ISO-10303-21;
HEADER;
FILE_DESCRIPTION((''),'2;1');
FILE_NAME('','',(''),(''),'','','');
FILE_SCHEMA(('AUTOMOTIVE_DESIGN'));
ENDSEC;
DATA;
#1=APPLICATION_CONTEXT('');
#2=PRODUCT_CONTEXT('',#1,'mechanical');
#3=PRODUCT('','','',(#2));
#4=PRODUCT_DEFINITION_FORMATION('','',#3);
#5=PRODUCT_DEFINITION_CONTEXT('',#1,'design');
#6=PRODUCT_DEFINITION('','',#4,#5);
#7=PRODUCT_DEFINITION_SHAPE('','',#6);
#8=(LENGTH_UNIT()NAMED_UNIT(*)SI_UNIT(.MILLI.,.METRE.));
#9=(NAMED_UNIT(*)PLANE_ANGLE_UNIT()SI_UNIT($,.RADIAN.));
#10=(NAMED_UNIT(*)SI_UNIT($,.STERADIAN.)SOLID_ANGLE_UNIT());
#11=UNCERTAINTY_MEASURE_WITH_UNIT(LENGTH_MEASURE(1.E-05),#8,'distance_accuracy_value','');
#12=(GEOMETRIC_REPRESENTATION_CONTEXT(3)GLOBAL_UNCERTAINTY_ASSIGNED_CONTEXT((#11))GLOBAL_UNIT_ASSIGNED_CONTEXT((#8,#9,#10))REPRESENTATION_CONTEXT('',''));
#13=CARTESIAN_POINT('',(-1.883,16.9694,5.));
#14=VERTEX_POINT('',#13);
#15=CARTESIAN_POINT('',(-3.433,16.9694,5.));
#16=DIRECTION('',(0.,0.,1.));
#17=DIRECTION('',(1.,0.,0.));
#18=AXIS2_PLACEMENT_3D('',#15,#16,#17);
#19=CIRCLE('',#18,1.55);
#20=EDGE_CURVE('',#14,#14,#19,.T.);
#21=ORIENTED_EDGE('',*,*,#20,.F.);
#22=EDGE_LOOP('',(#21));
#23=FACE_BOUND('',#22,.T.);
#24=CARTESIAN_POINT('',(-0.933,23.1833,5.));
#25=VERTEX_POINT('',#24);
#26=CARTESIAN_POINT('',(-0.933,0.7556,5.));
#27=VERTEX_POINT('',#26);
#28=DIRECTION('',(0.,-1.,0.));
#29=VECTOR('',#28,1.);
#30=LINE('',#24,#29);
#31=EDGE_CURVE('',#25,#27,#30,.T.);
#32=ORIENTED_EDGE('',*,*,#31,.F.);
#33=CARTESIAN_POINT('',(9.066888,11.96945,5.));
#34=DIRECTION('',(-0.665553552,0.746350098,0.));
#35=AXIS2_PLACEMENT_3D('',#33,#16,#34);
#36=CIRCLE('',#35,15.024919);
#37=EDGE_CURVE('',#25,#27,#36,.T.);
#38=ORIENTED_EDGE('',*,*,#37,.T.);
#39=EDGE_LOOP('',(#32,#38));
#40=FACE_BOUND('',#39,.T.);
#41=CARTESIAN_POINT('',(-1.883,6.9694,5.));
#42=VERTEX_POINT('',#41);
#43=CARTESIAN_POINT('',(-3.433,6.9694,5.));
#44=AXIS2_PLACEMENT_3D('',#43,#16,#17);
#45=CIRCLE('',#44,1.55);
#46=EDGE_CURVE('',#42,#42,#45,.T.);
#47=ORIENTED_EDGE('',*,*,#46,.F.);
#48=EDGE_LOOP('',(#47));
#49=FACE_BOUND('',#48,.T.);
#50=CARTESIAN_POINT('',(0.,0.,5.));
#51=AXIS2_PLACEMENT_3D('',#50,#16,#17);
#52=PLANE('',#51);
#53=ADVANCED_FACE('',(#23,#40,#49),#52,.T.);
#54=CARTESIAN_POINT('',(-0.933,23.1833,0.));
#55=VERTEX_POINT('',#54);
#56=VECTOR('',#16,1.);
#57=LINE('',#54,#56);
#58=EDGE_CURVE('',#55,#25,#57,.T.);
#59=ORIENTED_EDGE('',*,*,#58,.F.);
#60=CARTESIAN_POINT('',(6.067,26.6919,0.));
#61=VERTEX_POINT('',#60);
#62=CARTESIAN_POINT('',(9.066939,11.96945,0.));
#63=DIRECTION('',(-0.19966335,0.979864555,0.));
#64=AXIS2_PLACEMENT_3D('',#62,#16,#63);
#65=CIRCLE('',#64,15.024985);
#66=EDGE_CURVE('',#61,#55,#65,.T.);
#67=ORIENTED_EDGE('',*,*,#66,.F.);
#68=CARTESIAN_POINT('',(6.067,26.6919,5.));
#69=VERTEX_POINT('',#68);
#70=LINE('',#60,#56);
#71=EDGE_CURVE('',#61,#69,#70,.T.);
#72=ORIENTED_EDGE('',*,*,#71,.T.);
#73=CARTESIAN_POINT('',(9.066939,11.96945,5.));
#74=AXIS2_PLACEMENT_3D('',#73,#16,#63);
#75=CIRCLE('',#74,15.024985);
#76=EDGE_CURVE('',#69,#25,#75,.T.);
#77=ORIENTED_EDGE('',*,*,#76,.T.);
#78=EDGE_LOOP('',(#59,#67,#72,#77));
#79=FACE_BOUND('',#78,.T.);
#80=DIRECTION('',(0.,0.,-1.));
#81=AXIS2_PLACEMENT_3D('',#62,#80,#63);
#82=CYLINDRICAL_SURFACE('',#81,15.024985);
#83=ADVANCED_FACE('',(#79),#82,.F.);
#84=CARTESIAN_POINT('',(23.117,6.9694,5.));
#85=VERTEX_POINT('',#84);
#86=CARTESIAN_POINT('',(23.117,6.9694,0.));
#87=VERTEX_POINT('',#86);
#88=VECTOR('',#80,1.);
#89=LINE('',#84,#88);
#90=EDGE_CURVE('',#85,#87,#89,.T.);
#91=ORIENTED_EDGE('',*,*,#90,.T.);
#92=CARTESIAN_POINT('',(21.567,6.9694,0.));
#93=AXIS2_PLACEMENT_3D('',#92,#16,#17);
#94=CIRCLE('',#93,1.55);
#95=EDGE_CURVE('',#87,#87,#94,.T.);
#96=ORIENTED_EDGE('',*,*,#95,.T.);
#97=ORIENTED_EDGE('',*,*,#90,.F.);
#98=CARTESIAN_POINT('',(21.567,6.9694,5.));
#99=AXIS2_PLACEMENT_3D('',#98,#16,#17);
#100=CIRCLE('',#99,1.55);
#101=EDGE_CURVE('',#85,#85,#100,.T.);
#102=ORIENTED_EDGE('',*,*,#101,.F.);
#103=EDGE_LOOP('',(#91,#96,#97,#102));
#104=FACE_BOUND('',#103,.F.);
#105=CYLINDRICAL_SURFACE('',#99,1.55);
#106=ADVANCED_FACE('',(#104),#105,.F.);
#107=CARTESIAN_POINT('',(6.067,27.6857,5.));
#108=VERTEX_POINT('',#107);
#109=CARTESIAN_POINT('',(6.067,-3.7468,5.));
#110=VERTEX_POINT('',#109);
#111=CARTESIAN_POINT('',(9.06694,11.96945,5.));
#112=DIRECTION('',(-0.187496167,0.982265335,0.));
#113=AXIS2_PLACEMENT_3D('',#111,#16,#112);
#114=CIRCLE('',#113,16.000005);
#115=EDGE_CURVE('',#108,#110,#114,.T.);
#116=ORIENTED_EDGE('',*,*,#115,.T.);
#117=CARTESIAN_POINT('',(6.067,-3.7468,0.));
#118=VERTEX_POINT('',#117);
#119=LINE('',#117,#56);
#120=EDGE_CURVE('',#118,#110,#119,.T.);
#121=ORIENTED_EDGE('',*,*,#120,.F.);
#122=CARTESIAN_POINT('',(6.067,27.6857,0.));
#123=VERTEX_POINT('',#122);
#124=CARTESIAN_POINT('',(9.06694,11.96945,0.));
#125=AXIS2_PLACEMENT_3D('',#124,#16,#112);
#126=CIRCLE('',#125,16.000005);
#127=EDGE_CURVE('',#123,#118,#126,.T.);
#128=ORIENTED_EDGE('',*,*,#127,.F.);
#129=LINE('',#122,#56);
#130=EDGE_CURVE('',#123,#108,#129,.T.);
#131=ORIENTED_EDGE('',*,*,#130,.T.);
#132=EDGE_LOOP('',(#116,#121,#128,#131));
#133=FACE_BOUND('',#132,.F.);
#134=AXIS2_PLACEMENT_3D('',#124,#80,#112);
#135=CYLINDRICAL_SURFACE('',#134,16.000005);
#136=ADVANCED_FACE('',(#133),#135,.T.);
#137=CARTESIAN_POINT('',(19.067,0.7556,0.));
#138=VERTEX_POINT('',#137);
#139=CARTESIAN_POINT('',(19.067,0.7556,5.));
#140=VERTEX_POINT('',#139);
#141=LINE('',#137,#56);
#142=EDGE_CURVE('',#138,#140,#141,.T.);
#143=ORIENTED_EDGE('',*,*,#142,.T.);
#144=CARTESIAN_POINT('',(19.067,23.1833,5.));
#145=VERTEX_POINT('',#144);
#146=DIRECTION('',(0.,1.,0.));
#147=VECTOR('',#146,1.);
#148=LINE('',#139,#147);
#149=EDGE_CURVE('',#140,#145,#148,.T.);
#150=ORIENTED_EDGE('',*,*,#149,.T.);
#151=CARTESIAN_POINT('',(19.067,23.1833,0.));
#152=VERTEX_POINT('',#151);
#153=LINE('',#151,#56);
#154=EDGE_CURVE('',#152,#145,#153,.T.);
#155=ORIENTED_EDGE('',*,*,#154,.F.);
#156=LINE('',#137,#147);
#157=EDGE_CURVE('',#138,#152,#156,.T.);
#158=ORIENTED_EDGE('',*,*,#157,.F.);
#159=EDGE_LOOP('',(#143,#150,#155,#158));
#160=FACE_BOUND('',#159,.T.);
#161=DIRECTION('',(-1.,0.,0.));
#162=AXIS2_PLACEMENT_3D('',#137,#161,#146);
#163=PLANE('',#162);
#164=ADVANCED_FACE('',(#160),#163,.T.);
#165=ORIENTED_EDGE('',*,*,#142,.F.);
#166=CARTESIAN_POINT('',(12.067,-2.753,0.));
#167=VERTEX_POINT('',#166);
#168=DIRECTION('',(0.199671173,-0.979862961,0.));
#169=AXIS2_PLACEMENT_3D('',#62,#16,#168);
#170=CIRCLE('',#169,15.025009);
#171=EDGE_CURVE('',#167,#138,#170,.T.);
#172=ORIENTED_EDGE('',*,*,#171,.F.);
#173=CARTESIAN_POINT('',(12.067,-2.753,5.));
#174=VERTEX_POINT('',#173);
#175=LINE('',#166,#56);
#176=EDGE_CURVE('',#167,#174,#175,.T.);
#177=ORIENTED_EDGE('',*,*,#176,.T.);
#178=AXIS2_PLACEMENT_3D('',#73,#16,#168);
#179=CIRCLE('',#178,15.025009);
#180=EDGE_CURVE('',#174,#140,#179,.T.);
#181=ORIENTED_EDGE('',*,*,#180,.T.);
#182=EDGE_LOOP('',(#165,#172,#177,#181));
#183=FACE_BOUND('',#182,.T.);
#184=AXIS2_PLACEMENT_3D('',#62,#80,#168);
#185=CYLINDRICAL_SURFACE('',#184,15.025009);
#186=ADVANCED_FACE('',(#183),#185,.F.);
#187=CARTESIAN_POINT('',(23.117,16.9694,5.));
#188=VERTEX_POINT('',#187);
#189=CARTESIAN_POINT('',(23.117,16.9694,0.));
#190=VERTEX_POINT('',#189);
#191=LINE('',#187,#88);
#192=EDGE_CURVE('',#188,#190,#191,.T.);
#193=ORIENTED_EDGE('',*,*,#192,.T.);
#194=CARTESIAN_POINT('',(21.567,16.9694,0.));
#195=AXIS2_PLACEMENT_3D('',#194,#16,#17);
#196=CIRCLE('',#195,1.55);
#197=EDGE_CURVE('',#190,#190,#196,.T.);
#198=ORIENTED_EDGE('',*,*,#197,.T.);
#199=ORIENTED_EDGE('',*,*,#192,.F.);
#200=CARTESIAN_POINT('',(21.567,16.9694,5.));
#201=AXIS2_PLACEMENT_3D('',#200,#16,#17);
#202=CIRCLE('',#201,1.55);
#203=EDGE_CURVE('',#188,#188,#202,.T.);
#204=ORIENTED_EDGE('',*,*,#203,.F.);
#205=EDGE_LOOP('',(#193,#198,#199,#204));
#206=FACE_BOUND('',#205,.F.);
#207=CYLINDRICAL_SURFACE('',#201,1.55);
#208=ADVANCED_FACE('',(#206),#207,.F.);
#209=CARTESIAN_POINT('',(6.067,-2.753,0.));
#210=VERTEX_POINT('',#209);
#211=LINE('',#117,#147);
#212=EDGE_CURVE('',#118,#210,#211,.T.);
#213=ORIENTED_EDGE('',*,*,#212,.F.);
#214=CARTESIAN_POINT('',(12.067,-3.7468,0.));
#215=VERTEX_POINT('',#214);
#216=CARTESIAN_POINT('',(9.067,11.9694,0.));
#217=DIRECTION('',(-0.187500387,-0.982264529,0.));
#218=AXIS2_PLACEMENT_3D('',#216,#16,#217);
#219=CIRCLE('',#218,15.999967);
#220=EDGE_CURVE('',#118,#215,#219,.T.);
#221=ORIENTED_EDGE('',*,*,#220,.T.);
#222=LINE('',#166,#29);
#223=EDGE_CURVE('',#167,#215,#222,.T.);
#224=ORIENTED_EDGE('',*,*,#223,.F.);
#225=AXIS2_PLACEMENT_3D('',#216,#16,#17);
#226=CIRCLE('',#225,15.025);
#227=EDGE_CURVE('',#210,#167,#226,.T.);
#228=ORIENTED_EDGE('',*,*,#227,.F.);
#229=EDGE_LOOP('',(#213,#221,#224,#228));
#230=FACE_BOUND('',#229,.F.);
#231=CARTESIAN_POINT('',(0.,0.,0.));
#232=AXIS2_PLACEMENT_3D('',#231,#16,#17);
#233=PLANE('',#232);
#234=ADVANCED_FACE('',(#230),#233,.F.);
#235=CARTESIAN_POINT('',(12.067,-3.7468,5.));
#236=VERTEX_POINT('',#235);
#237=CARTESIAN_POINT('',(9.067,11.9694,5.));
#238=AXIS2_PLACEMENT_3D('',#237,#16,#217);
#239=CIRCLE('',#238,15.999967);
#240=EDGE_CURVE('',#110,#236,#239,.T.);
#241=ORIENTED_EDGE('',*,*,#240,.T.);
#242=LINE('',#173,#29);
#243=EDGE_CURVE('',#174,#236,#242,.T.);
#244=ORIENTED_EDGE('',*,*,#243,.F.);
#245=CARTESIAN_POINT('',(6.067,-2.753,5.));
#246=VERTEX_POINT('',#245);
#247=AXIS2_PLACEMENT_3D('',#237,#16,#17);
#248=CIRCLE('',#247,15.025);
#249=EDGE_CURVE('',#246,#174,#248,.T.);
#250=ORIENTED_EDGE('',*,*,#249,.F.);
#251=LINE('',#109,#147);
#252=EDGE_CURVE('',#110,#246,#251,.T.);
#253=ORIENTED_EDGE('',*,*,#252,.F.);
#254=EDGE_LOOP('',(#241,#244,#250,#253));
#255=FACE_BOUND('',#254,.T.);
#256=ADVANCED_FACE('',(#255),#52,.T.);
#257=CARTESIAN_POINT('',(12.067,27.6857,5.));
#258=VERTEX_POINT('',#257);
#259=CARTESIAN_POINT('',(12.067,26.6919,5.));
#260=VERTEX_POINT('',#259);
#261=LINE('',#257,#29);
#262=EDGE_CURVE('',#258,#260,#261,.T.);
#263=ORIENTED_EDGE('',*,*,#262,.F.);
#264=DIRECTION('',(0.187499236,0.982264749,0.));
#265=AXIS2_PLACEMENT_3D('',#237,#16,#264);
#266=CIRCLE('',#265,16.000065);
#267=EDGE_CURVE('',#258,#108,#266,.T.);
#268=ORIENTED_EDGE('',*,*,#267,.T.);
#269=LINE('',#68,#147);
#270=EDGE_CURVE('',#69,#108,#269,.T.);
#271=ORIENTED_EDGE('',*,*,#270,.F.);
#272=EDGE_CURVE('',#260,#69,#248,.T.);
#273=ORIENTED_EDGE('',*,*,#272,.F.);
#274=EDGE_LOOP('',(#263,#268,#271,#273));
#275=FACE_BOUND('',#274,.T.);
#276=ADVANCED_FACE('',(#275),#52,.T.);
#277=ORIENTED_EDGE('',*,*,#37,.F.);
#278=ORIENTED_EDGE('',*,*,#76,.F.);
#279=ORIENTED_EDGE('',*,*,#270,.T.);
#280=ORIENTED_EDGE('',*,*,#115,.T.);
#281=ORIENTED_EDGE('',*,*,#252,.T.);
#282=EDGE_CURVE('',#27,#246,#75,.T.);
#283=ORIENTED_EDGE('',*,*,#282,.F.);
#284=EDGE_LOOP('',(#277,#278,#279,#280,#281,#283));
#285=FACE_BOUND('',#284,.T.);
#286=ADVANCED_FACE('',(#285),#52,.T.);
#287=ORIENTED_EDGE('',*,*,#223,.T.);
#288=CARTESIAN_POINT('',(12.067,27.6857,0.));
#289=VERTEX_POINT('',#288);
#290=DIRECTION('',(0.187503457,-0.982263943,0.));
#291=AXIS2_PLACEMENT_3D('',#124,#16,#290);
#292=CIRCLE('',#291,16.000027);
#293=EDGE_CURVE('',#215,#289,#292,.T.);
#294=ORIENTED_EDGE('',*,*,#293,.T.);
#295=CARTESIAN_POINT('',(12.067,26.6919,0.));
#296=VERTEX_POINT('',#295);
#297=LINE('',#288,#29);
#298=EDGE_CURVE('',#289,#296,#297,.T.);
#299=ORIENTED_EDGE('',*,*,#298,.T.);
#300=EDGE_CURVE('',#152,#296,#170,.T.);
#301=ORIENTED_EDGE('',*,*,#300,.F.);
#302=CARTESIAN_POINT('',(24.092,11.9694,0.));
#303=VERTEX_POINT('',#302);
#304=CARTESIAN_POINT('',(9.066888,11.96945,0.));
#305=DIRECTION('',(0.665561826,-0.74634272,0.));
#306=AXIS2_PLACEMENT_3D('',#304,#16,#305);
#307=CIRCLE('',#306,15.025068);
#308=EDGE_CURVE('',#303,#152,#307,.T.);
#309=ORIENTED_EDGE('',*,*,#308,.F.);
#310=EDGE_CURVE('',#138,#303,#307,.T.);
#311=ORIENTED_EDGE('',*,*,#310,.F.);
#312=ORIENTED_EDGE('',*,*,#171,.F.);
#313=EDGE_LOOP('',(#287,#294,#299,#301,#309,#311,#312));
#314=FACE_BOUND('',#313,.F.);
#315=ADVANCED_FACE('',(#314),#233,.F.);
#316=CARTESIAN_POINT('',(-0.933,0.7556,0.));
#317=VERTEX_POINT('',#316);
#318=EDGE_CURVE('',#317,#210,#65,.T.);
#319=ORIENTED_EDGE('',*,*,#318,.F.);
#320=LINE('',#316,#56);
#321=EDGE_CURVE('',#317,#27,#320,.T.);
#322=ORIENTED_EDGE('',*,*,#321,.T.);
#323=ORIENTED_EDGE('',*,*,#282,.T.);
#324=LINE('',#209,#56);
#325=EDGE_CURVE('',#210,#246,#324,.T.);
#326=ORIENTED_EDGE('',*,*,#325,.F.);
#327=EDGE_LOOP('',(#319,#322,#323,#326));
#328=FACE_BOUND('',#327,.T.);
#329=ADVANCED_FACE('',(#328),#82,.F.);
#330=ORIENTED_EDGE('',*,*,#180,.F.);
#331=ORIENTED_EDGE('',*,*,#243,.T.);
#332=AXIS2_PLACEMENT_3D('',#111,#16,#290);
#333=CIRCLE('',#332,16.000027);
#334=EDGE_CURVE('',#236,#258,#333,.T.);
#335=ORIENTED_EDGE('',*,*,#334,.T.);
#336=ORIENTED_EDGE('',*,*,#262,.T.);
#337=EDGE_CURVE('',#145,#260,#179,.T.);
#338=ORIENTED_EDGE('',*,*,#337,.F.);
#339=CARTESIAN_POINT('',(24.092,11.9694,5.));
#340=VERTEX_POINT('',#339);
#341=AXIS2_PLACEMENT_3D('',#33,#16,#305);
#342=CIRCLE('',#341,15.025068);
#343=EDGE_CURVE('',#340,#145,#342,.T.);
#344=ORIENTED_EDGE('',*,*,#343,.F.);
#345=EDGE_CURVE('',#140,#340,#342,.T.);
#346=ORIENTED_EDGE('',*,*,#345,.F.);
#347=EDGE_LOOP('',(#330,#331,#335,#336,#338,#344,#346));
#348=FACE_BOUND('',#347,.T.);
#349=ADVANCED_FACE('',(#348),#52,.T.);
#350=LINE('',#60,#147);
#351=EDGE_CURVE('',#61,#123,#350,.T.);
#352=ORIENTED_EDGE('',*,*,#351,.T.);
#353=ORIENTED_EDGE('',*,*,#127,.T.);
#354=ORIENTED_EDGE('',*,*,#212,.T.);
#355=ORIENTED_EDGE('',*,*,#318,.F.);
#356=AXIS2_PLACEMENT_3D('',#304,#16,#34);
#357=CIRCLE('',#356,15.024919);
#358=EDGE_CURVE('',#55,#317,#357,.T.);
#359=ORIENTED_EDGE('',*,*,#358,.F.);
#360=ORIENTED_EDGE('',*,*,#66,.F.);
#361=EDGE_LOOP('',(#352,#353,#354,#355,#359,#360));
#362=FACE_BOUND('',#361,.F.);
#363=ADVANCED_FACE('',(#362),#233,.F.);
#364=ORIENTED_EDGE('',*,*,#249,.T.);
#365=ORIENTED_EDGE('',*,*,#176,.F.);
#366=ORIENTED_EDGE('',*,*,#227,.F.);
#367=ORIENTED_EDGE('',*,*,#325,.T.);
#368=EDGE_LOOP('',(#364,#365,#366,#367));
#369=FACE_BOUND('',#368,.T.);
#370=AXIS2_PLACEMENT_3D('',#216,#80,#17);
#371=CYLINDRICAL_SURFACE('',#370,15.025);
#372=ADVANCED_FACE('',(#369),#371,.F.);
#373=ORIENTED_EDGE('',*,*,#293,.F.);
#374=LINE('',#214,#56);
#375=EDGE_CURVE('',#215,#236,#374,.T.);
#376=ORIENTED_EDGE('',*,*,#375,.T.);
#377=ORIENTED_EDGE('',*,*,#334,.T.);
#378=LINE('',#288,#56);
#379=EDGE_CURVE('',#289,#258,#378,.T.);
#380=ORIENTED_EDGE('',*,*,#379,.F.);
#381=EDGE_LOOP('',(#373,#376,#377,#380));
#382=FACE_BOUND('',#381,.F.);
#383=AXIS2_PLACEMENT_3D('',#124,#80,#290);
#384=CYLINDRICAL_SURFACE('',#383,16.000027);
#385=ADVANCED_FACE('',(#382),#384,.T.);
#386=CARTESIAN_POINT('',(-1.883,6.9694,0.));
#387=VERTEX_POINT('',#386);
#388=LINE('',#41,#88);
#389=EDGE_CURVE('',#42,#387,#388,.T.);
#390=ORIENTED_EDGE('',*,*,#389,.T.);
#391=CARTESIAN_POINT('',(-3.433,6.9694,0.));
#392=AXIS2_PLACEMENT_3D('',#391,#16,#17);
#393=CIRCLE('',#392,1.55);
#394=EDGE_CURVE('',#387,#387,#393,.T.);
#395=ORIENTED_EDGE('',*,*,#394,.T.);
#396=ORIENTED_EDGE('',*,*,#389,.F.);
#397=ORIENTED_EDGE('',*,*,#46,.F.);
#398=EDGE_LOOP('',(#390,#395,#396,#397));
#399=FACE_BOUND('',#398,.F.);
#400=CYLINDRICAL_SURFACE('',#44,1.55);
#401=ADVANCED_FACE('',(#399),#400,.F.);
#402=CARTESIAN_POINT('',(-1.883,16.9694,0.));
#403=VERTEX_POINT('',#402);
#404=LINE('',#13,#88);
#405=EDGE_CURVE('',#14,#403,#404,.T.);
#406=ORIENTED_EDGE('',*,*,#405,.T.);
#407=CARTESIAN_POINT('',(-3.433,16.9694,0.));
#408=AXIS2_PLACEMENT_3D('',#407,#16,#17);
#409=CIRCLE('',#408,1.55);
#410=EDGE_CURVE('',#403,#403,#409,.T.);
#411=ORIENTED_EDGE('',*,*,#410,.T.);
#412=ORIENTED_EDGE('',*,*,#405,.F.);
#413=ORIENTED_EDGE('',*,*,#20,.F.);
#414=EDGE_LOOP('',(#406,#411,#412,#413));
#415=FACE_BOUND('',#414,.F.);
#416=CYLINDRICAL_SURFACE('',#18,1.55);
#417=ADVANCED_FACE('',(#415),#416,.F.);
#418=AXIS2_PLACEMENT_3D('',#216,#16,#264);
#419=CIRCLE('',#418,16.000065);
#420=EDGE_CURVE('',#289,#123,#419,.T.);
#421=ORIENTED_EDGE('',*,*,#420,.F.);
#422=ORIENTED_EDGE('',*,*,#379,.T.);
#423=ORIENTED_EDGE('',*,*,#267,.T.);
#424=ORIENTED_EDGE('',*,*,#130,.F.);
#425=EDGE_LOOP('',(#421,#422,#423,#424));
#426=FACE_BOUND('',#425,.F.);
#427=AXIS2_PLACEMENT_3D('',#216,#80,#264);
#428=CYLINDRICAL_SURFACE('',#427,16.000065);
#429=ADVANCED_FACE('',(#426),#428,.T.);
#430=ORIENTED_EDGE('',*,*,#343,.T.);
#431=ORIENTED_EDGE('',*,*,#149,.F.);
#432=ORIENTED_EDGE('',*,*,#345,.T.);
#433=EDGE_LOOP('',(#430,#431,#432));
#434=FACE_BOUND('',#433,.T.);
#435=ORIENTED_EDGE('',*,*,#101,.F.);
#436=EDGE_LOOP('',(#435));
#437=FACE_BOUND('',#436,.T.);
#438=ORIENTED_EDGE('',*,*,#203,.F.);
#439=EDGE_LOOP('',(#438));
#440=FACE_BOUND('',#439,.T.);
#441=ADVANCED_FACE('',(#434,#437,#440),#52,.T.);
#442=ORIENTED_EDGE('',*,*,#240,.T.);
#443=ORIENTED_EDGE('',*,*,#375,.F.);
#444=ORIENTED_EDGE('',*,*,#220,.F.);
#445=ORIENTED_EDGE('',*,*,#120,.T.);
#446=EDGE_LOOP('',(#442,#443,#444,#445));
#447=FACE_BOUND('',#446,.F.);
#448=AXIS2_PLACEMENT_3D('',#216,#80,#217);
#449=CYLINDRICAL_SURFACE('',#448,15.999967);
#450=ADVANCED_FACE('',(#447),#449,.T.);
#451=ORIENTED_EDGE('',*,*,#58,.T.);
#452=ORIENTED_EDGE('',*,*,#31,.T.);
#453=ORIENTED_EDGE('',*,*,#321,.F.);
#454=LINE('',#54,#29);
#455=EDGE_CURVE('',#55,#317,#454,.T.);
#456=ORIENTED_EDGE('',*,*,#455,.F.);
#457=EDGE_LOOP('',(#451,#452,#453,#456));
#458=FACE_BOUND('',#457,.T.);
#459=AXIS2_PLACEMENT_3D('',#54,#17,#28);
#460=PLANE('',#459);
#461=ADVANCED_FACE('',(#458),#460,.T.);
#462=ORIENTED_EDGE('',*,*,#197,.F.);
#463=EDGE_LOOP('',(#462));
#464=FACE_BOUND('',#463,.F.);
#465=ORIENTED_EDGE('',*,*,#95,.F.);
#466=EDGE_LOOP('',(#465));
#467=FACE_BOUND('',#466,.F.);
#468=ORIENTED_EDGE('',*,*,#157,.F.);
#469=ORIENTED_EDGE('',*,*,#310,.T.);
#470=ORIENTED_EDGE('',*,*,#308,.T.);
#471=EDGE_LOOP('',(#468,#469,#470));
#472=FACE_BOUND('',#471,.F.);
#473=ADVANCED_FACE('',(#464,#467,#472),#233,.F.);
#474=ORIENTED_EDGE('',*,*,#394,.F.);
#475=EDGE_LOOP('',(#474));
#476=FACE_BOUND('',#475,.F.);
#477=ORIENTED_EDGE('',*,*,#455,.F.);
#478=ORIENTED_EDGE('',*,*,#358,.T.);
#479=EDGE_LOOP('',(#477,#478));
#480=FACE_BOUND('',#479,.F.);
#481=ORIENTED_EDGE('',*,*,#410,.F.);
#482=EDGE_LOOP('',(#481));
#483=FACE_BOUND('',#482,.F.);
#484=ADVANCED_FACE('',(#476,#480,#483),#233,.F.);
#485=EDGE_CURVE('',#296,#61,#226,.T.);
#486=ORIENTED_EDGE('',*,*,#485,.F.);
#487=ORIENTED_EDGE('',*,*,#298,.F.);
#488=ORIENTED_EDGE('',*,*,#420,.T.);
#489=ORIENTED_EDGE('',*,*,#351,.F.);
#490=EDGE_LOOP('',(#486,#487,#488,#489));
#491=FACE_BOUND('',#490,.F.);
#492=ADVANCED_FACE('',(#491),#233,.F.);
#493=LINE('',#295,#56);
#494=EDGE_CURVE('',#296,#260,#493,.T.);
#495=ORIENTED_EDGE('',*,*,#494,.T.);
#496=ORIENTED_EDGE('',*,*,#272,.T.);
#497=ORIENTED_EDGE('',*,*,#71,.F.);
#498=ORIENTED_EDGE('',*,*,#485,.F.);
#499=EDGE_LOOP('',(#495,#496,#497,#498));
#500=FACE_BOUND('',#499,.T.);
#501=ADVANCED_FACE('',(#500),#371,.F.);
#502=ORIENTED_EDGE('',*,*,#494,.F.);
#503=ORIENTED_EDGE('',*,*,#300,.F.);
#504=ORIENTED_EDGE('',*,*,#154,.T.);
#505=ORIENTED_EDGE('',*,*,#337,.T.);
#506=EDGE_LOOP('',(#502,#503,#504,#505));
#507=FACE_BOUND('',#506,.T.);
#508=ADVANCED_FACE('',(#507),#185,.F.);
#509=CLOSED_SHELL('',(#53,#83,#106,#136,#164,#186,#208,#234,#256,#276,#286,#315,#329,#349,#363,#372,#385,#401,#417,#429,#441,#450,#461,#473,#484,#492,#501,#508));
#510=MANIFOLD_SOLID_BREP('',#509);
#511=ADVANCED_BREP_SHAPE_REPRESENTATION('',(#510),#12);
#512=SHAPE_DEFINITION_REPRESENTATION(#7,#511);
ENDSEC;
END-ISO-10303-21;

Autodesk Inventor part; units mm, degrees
ref_plane "YZ Plane" through (0, 0, 0) normal (1, 0, 0) x (0, 1, 0)
ref_plane "XZ Plane" through (0, 0, 0) normal (0, 1, 0) x (-1, 0, 0)
ref_plane "XY Plane" through (0, 0, 0) normal (0, 0, 1) x (1, 0, 0)
sketch "Sketch1" plane through (0, 0, 0) normal (0, 0, 1) x (1, 0, 0)
  line L0 (19.067, 0.7556) -> (19.067, 23.1833)
  arc A0 (19.067, 0.7556) -> (19.067, 23.1833) centre (9.067, 11.9694) ccw
  line L1 (-0.933, 23.1833) -> (-0.933, 0.7556)
  arc A1 (-0.933, 23.1833) -> (-0.933, 0.7556) centre (9.067, 11.9694) ccw
  line L2 (12.067, -2.753) -> (12.067, -3.7468)
  arc A2 (12.067, -3.7468) -> (12.067, 27.6857) centre (9.067, 11.9694) ccw
  line L3 (12.067, 27.6857) -> (12.067, 26.6919)
  arc A3 (12.067, -2.753) -> (12.067, 26.6919) centre (9.067, 11.9694) ccw
  line L4 (6.067, -3.7468) -> (6.067, -2.753)
  arc A4 (6.067, 26.6919) -> (6.067, -2.753) centre (9.067, 11.9694) ccw
  line L5 (6.067, 26.6919) -> (6.067, 27.6857)
  arc A5 (6.067, 27.6857) -> (6.067, -3.7468) centre (9.067, 11.9694) ccw
  arc A6 (12.067, 27.6857) -> (6.067, 27.6857) centre (9.067, 11.9694) ccw
  arc A7 (6.067, -3.7468) -> (12.067, -3.7468) centre (9.067, 11.9694) ccw
  circle A8 centre (9.067, 11.9694) radius 15.025
  point P0 (12.067, -2.753)
  point P1 (6.067, -2.753)
extrude "Extrusion1" add sketch "Sketch1" along normal blind 5 contours L0 A0 | A0 A3 L3 A2 L2 | L2 A7 L4 A8 | A8 L5 A6 L3 | L4 A5 L5 A4 A1 | A1 L1
sketch "Sketch2" plane through (9.067, 11.9694, 5) normal (0, 0, 1) x (1, 0, 0)
  circle A0 centre (12.5, 5) radius 1.55
  circle A1 centre (12.5, -5) radius 1.55
  circle A2 centre (-12.5, -5) radius 1.55
  circle A3 centre (-12.5, 5) radius 1.55
  circle A4 centre (0, 0) radius 16 projected
  point P0 (-9.067, -11.9694)
extrude "Extrusion2" cut sketch "Sketch2" against normal through all contours A0 | A1 | A2 | A3
properties part number "arm_head_back"
